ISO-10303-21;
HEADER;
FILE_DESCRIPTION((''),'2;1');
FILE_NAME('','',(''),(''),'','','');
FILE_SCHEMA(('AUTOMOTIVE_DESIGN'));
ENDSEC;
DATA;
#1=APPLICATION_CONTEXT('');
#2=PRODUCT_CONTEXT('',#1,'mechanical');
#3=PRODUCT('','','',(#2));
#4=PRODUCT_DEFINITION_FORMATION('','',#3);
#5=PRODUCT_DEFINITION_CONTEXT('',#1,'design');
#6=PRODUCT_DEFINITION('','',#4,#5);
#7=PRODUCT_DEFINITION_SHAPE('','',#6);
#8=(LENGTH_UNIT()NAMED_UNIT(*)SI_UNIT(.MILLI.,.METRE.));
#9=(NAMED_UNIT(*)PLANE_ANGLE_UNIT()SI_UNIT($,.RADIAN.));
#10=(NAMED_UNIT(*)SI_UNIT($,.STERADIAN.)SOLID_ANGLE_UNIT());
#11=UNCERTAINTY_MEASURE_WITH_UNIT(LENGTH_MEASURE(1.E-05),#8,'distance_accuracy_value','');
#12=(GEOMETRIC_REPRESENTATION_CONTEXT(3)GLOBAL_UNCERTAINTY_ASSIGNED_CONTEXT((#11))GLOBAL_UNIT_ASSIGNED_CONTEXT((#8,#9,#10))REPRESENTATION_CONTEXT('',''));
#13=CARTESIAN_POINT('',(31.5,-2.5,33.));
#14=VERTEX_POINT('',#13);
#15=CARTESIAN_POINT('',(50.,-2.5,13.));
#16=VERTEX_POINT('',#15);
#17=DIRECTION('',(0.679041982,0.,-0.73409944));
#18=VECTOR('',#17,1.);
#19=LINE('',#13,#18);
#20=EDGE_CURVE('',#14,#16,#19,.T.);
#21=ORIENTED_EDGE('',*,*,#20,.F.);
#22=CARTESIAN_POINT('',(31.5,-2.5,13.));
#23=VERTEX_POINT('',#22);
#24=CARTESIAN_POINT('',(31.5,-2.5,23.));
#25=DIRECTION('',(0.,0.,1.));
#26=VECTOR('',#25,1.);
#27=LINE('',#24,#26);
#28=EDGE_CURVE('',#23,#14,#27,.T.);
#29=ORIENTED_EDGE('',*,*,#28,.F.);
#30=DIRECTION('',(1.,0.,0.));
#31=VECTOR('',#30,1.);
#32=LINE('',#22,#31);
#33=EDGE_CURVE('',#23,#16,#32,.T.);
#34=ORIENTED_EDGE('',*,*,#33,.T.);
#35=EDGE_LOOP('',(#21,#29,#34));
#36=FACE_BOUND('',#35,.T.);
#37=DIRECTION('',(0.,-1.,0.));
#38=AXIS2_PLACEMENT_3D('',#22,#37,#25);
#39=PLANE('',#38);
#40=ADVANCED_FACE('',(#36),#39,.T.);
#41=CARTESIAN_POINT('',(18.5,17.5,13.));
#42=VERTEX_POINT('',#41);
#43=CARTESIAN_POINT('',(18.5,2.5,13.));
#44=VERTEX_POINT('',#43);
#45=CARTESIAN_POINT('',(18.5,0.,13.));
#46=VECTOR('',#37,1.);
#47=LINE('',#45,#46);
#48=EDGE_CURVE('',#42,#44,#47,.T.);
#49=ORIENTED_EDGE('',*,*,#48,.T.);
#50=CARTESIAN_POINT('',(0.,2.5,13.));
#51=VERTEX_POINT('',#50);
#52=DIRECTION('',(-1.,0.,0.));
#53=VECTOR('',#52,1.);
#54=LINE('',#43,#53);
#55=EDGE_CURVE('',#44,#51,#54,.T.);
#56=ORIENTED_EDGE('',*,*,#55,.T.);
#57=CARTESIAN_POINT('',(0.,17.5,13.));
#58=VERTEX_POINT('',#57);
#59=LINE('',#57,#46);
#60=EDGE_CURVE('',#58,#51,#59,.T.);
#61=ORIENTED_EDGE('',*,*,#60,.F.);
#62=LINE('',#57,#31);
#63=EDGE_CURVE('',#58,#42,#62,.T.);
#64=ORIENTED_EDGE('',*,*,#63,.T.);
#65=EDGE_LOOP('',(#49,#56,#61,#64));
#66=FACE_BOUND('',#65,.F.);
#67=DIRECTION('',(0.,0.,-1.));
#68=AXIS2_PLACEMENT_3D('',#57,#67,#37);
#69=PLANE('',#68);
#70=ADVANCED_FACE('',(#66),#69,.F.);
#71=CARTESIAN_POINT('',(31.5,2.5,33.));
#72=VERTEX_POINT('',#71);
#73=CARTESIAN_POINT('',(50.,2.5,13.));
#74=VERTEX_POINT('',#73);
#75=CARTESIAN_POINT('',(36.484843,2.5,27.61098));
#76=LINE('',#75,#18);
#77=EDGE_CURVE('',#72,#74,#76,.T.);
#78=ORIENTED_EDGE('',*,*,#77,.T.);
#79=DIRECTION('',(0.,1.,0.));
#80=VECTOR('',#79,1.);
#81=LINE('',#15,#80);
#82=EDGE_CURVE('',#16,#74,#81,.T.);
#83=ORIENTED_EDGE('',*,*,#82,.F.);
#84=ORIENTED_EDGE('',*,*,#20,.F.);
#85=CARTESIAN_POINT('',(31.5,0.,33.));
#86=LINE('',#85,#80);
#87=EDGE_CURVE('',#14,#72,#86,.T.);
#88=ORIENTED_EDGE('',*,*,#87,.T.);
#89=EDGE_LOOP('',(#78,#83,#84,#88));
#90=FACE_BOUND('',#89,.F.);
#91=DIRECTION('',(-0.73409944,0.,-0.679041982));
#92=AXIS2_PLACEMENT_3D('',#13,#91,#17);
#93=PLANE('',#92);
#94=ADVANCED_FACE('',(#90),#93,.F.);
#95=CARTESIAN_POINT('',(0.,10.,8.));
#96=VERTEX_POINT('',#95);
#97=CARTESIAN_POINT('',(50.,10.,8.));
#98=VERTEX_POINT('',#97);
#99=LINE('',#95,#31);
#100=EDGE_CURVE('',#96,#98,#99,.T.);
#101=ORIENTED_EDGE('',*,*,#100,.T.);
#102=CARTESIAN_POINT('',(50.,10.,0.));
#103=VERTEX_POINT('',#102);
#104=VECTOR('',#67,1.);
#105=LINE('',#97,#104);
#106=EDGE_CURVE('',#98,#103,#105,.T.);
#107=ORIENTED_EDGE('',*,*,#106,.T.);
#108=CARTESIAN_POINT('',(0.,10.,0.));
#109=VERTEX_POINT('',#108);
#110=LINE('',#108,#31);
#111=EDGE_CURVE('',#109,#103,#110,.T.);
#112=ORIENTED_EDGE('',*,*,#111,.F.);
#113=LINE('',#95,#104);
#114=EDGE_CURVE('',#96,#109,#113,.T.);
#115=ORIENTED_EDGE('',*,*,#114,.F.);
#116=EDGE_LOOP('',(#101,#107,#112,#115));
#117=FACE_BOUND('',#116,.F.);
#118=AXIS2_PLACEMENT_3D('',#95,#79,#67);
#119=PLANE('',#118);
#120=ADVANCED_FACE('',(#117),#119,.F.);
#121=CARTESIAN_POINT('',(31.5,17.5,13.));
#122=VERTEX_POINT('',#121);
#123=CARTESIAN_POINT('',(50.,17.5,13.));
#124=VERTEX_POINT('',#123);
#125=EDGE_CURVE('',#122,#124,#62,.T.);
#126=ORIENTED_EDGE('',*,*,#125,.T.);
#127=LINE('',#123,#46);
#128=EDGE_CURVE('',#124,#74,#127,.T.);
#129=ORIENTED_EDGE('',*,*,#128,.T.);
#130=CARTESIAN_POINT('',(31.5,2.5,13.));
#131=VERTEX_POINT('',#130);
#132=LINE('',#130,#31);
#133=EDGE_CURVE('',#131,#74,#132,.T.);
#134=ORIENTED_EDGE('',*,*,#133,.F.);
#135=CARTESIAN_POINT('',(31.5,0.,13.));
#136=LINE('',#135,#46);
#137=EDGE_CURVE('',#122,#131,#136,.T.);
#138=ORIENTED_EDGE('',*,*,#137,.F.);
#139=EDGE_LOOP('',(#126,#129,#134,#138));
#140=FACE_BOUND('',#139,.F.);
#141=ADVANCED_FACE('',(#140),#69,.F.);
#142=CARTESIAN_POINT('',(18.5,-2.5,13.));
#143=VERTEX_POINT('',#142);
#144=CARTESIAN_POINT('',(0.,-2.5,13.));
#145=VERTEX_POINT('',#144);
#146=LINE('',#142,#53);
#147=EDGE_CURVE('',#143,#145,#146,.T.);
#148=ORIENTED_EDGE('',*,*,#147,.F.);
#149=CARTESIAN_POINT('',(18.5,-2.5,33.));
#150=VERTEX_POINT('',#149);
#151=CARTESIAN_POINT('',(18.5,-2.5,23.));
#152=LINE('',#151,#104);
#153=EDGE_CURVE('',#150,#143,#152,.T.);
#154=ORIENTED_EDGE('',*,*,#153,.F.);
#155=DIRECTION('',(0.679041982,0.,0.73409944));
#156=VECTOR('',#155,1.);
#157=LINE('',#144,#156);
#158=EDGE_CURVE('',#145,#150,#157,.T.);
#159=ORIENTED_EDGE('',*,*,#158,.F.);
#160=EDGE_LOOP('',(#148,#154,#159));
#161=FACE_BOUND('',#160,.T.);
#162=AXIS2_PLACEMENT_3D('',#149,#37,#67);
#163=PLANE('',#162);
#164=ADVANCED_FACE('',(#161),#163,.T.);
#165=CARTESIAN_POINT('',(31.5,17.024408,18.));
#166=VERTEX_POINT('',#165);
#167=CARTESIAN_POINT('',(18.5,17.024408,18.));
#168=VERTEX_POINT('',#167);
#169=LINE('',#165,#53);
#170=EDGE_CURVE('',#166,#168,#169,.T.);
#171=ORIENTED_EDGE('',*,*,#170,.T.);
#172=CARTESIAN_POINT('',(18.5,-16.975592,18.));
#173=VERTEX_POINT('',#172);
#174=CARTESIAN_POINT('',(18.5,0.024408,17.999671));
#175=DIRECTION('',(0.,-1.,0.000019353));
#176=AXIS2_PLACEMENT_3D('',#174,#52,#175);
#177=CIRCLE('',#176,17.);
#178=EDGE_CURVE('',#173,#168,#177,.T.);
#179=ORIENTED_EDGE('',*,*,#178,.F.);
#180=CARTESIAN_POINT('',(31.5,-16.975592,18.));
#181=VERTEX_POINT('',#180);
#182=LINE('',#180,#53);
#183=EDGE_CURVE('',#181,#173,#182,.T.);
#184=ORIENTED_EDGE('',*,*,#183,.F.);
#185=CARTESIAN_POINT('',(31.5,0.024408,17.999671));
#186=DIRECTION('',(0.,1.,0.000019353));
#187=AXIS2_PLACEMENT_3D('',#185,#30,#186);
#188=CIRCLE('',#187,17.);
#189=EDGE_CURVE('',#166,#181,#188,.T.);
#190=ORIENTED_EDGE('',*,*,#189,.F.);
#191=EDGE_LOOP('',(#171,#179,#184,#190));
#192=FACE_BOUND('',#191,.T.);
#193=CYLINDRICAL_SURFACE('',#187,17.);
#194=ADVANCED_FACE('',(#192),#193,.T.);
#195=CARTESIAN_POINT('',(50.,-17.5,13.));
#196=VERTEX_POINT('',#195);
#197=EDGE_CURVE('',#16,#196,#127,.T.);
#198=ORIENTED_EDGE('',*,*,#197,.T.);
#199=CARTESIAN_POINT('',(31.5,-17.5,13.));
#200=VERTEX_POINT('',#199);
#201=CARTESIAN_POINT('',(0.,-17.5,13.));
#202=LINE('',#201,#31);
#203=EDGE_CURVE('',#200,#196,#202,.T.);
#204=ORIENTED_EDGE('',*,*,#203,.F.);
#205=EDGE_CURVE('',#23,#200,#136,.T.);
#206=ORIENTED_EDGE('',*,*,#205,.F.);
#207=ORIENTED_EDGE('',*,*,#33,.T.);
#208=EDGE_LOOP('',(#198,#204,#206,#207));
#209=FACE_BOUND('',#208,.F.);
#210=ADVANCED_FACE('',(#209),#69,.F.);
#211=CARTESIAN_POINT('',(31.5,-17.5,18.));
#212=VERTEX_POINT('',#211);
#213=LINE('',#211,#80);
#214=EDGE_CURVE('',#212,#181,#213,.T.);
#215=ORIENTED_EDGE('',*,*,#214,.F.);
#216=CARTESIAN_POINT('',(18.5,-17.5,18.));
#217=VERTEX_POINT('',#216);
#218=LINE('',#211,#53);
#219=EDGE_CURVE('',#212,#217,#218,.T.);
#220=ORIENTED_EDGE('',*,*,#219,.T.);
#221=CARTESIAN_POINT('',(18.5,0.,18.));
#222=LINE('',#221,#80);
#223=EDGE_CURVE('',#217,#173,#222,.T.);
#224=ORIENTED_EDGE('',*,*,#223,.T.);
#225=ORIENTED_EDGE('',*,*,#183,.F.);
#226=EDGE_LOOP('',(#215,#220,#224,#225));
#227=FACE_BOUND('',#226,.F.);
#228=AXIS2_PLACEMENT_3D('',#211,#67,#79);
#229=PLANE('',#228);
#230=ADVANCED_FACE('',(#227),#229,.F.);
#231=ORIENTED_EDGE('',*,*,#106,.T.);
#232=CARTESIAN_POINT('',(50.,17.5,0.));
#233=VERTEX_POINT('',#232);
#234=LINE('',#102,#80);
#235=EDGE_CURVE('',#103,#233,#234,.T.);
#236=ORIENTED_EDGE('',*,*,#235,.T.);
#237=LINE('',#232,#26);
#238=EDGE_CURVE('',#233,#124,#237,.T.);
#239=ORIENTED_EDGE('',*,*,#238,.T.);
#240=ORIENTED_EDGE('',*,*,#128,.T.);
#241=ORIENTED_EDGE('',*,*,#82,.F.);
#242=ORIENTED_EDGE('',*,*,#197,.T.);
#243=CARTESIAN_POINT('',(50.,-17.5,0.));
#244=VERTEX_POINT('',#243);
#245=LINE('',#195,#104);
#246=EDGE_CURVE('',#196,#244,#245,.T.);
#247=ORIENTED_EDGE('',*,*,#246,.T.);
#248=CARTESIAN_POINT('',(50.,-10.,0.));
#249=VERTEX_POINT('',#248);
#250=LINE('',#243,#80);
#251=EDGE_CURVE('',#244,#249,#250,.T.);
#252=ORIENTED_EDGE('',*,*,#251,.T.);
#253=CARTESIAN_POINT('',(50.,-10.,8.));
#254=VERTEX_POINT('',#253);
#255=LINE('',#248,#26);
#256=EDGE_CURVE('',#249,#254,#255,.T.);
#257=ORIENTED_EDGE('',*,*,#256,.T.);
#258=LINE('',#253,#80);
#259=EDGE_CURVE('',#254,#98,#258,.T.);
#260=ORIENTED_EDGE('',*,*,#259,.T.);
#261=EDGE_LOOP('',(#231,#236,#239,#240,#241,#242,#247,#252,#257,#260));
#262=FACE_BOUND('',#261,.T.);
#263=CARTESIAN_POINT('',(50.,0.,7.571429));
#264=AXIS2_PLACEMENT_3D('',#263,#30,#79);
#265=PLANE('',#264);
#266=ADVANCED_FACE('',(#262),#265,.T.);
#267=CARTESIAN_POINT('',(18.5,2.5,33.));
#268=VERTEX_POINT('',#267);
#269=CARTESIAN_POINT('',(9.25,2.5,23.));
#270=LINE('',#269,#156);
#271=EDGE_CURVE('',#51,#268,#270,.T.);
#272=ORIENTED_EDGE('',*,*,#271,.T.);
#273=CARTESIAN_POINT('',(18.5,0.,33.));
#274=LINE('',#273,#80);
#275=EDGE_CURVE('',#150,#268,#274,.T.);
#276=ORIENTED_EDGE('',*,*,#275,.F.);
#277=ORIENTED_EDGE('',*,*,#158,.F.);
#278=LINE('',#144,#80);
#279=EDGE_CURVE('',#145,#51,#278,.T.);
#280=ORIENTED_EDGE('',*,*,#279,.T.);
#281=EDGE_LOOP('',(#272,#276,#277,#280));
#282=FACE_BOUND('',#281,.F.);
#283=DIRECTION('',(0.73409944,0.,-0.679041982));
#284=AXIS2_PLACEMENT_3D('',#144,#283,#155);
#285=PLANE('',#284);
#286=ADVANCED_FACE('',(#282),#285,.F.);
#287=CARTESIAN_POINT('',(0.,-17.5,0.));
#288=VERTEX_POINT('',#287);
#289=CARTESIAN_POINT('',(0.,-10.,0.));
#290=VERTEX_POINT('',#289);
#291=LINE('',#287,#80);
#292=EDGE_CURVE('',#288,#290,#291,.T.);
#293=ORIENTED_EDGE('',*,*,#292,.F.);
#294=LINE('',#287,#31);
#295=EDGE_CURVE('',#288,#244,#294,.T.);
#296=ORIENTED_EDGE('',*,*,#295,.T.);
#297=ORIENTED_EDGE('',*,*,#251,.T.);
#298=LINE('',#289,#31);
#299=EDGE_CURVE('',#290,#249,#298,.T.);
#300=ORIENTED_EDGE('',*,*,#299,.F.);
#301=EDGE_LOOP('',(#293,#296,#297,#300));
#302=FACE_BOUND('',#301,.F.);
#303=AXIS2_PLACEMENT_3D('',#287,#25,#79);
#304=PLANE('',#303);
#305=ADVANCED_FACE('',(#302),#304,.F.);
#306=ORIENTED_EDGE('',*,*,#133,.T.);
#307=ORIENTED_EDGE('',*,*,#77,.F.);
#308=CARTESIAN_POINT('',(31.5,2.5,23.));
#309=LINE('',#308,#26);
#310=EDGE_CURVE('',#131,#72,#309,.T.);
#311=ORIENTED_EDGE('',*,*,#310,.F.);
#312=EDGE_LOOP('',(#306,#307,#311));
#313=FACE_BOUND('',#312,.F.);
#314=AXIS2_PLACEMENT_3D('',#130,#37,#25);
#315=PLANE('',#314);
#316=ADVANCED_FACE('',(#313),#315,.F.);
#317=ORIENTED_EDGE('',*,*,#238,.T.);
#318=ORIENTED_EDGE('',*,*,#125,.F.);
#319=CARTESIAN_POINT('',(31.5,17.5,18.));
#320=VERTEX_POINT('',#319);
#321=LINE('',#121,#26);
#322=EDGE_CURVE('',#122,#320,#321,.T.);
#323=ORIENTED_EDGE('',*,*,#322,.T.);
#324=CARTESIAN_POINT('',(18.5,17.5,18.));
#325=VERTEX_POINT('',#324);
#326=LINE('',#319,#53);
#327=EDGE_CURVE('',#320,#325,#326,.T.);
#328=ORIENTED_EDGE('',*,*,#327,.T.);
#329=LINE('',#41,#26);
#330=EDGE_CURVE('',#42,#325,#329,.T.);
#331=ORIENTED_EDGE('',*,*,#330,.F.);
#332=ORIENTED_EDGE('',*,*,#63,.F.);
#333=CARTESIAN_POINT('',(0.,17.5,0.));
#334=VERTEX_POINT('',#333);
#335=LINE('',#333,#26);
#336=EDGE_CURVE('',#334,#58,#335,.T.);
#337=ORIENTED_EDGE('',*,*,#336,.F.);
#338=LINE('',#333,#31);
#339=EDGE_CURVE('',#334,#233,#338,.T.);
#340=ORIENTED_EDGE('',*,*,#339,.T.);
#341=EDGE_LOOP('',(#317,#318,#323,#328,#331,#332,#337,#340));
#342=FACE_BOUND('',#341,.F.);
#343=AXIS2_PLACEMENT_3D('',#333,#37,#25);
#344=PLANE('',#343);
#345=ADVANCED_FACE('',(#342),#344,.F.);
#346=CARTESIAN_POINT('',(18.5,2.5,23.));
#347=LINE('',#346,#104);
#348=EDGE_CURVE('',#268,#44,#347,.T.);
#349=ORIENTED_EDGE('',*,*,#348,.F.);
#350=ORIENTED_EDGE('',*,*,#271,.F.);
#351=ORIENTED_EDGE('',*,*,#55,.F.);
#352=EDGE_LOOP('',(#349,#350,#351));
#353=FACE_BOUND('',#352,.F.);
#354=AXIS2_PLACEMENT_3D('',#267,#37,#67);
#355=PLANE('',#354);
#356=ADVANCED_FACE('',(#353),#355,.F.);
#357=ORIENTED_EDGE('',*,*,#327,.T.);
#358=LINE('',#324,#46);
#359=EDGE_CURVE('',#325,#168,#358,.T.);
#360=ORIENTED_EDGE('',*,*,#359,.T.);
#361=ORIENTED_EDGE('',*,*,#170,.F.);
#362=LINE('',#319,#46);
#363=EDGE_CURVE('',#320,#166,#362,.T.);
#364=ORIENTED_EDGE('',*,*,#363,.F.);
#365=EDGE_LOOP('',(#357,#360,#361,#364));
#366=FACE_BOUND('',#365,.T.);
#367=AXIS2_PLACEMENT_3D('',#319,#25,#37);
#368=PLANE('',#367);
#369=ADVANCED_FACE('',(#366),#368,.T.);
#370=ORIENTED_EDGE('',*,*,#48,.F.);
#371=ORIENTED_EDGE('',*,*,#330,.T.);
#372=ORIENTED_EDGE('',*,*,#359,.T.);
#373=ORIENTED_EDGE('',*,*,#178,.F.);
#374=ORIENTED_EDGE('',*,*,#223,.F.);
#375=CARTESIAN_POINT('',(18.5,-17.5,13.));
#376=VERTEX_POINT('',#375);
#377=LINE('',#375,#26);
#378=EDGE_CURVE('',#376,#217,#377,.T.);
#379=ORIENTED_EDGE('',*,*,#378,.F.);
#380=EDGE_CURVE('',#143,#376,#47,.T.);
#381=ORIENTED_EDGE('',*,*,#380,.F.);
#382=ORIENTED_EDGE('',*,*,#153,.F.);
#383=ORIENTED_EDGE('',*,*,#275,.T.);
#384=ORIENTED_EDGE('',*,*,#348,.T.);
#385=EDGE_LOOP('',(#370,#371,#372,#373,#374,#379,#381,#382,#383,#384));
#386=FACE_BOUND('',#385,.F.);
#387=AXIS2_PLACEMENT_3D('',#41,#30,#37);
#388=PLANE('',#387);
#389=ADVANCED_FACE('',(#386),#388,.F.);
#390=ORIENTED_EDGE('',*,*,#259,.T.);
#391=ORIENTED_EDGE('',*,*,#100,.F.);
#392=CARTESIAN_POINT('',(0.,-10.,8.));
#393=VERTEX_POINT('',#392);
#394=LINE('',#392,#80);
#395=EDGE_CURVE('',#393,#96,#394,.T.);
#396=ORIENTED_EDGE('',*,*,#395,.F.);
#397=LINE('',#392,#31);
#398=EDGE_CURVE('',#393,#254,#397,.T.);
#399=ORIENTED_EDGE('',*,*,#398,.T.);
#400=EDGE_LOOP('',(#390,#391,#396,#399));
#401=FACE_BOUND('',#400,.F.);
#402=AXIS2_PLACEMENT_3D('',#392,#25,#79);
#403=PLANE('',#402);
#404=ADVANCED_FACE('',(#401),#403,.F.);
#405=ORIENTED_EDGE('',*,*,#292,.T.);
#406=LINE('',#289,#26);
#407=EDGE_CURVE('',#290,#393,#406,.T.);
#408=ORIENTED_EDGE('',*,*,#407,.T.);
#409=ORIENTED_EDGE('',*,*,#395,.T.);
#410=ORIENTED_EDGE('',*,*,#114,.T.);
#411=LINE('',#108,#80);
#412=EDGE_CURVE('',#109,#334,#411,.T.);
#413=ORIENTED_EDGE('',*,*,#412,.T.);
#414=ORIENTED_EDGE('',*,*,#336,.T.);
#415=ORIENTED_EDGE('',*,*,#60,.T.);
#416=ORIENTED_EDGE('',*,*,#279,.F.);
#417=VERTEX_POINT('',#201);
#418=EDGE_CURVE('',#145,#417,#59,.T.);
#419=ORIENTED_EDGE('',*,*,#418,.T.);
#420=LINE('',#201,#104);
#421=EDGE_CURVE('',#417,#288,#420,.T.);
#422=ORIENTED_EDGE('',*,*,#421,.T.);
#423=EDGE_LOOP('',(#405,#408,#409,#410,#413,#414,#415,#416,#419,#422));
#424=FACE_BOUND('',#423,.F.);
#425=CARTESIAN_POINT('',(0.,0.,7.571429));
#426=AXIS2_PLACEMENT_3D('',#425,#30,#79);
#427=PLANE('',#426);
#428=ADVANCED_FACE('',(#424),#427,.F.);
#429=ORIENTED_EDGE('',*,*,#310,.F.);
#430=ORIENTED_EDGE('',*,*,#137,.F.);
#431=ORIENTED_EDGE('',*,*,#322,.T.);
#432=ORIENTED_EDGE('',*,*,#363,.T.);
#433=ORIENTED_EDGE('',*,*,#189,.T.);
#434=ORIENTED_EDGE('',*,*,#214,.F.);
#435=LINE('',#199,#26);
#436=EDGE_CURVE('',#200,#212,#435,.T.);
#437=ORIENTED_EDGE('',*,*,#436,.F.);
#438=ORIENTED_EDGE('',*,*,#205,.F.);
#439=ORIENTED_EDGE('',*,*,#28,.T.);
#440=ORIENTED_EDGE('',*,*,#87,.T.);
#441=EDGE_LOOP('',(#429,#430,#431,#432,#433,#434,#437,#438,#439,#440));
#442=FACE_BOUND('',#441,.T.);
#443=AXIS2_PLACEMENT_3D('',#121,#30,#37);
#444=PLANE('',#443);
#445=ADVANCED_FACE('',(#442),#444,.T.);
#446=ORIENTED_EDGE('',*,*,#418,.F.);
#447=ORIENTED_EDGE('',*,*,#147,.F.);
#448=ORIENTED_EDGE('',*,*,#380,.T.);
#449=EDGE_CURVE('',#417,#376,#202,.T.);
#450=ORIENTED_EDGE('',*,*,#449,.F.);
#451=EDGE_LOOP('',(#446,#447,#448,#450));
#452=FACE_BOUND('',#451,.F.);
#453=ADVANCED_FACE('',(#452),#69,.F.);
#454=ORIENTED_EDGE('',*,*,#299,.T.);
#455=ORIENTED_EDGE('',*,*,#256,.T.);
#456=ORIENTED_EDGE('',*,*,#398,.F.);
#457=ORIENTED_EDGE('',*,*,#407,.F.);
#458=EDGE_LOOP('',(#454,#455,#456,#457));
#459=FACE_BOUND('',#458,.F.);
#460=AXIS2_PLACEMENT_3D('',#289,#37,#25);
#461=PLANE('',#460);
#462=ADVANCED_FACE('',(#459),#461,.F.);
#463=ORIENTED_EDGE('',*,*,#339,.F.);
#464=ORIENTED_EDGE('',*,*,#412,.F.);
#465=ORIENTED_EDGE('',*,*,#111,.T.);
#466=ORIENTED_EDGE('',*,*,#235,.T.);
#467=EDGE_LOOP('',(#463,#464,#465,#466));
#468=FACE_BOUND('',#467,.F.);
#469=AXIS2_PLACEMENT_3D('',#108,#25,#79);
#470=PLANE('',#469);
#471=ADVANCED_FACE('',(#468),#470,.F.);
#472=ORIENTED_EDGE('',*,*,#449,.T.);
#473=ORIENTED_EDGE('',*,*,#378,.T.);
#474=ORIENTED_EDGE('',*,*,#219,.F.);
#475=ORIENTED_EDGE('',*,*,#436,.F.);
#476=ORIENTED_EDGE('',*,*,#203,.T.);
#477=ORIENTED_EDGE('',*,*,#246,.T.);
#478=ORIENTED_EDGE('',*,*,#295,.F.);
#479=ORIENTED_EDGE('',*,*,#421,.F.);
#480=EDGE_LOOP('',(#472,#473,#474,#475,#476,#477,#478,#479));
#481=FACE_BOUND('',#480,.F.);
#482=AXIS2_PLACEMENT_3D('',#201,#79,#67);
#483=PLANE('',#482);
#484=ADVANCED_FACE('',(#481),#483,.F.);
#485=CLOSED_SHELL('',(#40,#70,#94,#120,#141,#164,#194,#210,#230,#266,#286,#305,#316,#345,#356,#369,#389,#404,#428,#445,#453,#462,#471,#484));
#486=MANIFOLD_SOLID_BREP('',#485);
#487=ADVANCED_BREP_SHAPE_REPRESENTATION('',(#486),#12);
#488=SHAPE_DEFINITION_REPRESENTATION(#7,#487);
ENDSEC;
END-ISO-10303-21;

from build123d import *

# Parameters (mm, degrees)
PAD_DEPTH       = 50
SKETCH001_W     = 35
SKETCH001_H     = 13
PAD001_DEPTH    = 25
POCKET_DEPTH    = 31.501
SKETCH003_W     = 5
SKETCH003_H     = 20
PAD002_DEPTH    = 18.5
POCKET001_DEPTH = 20.001
SKETCH005_W     = 5
SKETCH005_H     = 20
PAD003_DEPTH    = 18.5
POCKET002_DEPTH = 20.001


with BuildPart() as part:
    # Sketch → Pad (new body)
    with BuildSketch(Plane.YZ):
        Polygon((17.5, 0), (17.5, 13), (-17.5, 13), (-17.5, 0), (-10, 0), (-10, 8), (10, 8), (10, 0), align=None)
    extrude(amount=PAD_DEPTH)

    # Sketch001 (on Face2 of Pad) → Pad001 (join)
    with BuildSketch(Plane(origin=(0, 0, 13), x_dir=(0, -1, 0), z_dir=(0, 0, 1))):
        with Locations((0, 25)):
            Rectangle(SKETCH001_W, SKETCH001_H)
    extrude(amount=PAD001_DEPTH)

    # Sketch002 (on Face8 of Pad001) → Pocket (cut, through all)
    with BuildSketch(Plane.YZ.offset(31.5)):
        with BuildLine():
            Line((-17.5, 38), (-17.5, 18))
            Line((-17.5, 18), (-16.975592, 18))
            ThreePointArc((17.024408, 18), (0.024408, 34.999671), (-16.975592, 18))
            Line((17.5, 18), (17.024408, 18))
            Line((17.5, 18), (17.5, 38))
            Line((17.5, 38), (-17.5, 38))
        make_face()
    extrude(amount=-POCKET_DEPTH, mode=Mode.SUBTRACT)

    # Sketch003 (on Face2 of Pocket) → Pad002 (join)
    with BuildSketch(Plane.YZ.offset(31.5)):
        with Locations((0, 23)):
            Rectangle(SKETCH003_W, SKETCH003_H)
    extrude(amount=PAD002_DEPTH)

    # Sketch004 (on Face3 of Pad002) → Pocket001 (cut, through all)
    with BuildSketch(Plane(origin=(0, -2.5, 0), x_dir=(0, 0, -1), z_dir=(0, -1, 0))):
        Polygon((-33, 50), (-33, 31.5), (-13, 50), align=None)
    extrude(amount=-POCKET001_DEPTH, mode=Mode.SUBTRACT)

    # Sketch005 (on Face6 of Pocket001) → Pad003 (join)
    with BuildSketch(Plane(origin=(18.5, 0, 0), x_dir=(0, 1, 0), z_dir=(-1, 0, 0))):
        with Locations((0, -23)):
            Rectangle(SKETCH005_W, SKETCH005_H)
    extrude(amount=PAD003_DEPTH)

    # Sketch006 (on Face20 of Pad003) → Pocket002 (cut, through all)
    with BuildSketch(Plane(origin=(0, -2.5, 0), x_dir=(0, 0, -1), z_dir=(0, -1, 0))):
        Polygon((-33, 18.5), (-33, 0), (-13, 0), align=None)
    extrude(amount=-POCKET002_DEPTH, mode=Mode.SUBTRACT)


solid = part.part
